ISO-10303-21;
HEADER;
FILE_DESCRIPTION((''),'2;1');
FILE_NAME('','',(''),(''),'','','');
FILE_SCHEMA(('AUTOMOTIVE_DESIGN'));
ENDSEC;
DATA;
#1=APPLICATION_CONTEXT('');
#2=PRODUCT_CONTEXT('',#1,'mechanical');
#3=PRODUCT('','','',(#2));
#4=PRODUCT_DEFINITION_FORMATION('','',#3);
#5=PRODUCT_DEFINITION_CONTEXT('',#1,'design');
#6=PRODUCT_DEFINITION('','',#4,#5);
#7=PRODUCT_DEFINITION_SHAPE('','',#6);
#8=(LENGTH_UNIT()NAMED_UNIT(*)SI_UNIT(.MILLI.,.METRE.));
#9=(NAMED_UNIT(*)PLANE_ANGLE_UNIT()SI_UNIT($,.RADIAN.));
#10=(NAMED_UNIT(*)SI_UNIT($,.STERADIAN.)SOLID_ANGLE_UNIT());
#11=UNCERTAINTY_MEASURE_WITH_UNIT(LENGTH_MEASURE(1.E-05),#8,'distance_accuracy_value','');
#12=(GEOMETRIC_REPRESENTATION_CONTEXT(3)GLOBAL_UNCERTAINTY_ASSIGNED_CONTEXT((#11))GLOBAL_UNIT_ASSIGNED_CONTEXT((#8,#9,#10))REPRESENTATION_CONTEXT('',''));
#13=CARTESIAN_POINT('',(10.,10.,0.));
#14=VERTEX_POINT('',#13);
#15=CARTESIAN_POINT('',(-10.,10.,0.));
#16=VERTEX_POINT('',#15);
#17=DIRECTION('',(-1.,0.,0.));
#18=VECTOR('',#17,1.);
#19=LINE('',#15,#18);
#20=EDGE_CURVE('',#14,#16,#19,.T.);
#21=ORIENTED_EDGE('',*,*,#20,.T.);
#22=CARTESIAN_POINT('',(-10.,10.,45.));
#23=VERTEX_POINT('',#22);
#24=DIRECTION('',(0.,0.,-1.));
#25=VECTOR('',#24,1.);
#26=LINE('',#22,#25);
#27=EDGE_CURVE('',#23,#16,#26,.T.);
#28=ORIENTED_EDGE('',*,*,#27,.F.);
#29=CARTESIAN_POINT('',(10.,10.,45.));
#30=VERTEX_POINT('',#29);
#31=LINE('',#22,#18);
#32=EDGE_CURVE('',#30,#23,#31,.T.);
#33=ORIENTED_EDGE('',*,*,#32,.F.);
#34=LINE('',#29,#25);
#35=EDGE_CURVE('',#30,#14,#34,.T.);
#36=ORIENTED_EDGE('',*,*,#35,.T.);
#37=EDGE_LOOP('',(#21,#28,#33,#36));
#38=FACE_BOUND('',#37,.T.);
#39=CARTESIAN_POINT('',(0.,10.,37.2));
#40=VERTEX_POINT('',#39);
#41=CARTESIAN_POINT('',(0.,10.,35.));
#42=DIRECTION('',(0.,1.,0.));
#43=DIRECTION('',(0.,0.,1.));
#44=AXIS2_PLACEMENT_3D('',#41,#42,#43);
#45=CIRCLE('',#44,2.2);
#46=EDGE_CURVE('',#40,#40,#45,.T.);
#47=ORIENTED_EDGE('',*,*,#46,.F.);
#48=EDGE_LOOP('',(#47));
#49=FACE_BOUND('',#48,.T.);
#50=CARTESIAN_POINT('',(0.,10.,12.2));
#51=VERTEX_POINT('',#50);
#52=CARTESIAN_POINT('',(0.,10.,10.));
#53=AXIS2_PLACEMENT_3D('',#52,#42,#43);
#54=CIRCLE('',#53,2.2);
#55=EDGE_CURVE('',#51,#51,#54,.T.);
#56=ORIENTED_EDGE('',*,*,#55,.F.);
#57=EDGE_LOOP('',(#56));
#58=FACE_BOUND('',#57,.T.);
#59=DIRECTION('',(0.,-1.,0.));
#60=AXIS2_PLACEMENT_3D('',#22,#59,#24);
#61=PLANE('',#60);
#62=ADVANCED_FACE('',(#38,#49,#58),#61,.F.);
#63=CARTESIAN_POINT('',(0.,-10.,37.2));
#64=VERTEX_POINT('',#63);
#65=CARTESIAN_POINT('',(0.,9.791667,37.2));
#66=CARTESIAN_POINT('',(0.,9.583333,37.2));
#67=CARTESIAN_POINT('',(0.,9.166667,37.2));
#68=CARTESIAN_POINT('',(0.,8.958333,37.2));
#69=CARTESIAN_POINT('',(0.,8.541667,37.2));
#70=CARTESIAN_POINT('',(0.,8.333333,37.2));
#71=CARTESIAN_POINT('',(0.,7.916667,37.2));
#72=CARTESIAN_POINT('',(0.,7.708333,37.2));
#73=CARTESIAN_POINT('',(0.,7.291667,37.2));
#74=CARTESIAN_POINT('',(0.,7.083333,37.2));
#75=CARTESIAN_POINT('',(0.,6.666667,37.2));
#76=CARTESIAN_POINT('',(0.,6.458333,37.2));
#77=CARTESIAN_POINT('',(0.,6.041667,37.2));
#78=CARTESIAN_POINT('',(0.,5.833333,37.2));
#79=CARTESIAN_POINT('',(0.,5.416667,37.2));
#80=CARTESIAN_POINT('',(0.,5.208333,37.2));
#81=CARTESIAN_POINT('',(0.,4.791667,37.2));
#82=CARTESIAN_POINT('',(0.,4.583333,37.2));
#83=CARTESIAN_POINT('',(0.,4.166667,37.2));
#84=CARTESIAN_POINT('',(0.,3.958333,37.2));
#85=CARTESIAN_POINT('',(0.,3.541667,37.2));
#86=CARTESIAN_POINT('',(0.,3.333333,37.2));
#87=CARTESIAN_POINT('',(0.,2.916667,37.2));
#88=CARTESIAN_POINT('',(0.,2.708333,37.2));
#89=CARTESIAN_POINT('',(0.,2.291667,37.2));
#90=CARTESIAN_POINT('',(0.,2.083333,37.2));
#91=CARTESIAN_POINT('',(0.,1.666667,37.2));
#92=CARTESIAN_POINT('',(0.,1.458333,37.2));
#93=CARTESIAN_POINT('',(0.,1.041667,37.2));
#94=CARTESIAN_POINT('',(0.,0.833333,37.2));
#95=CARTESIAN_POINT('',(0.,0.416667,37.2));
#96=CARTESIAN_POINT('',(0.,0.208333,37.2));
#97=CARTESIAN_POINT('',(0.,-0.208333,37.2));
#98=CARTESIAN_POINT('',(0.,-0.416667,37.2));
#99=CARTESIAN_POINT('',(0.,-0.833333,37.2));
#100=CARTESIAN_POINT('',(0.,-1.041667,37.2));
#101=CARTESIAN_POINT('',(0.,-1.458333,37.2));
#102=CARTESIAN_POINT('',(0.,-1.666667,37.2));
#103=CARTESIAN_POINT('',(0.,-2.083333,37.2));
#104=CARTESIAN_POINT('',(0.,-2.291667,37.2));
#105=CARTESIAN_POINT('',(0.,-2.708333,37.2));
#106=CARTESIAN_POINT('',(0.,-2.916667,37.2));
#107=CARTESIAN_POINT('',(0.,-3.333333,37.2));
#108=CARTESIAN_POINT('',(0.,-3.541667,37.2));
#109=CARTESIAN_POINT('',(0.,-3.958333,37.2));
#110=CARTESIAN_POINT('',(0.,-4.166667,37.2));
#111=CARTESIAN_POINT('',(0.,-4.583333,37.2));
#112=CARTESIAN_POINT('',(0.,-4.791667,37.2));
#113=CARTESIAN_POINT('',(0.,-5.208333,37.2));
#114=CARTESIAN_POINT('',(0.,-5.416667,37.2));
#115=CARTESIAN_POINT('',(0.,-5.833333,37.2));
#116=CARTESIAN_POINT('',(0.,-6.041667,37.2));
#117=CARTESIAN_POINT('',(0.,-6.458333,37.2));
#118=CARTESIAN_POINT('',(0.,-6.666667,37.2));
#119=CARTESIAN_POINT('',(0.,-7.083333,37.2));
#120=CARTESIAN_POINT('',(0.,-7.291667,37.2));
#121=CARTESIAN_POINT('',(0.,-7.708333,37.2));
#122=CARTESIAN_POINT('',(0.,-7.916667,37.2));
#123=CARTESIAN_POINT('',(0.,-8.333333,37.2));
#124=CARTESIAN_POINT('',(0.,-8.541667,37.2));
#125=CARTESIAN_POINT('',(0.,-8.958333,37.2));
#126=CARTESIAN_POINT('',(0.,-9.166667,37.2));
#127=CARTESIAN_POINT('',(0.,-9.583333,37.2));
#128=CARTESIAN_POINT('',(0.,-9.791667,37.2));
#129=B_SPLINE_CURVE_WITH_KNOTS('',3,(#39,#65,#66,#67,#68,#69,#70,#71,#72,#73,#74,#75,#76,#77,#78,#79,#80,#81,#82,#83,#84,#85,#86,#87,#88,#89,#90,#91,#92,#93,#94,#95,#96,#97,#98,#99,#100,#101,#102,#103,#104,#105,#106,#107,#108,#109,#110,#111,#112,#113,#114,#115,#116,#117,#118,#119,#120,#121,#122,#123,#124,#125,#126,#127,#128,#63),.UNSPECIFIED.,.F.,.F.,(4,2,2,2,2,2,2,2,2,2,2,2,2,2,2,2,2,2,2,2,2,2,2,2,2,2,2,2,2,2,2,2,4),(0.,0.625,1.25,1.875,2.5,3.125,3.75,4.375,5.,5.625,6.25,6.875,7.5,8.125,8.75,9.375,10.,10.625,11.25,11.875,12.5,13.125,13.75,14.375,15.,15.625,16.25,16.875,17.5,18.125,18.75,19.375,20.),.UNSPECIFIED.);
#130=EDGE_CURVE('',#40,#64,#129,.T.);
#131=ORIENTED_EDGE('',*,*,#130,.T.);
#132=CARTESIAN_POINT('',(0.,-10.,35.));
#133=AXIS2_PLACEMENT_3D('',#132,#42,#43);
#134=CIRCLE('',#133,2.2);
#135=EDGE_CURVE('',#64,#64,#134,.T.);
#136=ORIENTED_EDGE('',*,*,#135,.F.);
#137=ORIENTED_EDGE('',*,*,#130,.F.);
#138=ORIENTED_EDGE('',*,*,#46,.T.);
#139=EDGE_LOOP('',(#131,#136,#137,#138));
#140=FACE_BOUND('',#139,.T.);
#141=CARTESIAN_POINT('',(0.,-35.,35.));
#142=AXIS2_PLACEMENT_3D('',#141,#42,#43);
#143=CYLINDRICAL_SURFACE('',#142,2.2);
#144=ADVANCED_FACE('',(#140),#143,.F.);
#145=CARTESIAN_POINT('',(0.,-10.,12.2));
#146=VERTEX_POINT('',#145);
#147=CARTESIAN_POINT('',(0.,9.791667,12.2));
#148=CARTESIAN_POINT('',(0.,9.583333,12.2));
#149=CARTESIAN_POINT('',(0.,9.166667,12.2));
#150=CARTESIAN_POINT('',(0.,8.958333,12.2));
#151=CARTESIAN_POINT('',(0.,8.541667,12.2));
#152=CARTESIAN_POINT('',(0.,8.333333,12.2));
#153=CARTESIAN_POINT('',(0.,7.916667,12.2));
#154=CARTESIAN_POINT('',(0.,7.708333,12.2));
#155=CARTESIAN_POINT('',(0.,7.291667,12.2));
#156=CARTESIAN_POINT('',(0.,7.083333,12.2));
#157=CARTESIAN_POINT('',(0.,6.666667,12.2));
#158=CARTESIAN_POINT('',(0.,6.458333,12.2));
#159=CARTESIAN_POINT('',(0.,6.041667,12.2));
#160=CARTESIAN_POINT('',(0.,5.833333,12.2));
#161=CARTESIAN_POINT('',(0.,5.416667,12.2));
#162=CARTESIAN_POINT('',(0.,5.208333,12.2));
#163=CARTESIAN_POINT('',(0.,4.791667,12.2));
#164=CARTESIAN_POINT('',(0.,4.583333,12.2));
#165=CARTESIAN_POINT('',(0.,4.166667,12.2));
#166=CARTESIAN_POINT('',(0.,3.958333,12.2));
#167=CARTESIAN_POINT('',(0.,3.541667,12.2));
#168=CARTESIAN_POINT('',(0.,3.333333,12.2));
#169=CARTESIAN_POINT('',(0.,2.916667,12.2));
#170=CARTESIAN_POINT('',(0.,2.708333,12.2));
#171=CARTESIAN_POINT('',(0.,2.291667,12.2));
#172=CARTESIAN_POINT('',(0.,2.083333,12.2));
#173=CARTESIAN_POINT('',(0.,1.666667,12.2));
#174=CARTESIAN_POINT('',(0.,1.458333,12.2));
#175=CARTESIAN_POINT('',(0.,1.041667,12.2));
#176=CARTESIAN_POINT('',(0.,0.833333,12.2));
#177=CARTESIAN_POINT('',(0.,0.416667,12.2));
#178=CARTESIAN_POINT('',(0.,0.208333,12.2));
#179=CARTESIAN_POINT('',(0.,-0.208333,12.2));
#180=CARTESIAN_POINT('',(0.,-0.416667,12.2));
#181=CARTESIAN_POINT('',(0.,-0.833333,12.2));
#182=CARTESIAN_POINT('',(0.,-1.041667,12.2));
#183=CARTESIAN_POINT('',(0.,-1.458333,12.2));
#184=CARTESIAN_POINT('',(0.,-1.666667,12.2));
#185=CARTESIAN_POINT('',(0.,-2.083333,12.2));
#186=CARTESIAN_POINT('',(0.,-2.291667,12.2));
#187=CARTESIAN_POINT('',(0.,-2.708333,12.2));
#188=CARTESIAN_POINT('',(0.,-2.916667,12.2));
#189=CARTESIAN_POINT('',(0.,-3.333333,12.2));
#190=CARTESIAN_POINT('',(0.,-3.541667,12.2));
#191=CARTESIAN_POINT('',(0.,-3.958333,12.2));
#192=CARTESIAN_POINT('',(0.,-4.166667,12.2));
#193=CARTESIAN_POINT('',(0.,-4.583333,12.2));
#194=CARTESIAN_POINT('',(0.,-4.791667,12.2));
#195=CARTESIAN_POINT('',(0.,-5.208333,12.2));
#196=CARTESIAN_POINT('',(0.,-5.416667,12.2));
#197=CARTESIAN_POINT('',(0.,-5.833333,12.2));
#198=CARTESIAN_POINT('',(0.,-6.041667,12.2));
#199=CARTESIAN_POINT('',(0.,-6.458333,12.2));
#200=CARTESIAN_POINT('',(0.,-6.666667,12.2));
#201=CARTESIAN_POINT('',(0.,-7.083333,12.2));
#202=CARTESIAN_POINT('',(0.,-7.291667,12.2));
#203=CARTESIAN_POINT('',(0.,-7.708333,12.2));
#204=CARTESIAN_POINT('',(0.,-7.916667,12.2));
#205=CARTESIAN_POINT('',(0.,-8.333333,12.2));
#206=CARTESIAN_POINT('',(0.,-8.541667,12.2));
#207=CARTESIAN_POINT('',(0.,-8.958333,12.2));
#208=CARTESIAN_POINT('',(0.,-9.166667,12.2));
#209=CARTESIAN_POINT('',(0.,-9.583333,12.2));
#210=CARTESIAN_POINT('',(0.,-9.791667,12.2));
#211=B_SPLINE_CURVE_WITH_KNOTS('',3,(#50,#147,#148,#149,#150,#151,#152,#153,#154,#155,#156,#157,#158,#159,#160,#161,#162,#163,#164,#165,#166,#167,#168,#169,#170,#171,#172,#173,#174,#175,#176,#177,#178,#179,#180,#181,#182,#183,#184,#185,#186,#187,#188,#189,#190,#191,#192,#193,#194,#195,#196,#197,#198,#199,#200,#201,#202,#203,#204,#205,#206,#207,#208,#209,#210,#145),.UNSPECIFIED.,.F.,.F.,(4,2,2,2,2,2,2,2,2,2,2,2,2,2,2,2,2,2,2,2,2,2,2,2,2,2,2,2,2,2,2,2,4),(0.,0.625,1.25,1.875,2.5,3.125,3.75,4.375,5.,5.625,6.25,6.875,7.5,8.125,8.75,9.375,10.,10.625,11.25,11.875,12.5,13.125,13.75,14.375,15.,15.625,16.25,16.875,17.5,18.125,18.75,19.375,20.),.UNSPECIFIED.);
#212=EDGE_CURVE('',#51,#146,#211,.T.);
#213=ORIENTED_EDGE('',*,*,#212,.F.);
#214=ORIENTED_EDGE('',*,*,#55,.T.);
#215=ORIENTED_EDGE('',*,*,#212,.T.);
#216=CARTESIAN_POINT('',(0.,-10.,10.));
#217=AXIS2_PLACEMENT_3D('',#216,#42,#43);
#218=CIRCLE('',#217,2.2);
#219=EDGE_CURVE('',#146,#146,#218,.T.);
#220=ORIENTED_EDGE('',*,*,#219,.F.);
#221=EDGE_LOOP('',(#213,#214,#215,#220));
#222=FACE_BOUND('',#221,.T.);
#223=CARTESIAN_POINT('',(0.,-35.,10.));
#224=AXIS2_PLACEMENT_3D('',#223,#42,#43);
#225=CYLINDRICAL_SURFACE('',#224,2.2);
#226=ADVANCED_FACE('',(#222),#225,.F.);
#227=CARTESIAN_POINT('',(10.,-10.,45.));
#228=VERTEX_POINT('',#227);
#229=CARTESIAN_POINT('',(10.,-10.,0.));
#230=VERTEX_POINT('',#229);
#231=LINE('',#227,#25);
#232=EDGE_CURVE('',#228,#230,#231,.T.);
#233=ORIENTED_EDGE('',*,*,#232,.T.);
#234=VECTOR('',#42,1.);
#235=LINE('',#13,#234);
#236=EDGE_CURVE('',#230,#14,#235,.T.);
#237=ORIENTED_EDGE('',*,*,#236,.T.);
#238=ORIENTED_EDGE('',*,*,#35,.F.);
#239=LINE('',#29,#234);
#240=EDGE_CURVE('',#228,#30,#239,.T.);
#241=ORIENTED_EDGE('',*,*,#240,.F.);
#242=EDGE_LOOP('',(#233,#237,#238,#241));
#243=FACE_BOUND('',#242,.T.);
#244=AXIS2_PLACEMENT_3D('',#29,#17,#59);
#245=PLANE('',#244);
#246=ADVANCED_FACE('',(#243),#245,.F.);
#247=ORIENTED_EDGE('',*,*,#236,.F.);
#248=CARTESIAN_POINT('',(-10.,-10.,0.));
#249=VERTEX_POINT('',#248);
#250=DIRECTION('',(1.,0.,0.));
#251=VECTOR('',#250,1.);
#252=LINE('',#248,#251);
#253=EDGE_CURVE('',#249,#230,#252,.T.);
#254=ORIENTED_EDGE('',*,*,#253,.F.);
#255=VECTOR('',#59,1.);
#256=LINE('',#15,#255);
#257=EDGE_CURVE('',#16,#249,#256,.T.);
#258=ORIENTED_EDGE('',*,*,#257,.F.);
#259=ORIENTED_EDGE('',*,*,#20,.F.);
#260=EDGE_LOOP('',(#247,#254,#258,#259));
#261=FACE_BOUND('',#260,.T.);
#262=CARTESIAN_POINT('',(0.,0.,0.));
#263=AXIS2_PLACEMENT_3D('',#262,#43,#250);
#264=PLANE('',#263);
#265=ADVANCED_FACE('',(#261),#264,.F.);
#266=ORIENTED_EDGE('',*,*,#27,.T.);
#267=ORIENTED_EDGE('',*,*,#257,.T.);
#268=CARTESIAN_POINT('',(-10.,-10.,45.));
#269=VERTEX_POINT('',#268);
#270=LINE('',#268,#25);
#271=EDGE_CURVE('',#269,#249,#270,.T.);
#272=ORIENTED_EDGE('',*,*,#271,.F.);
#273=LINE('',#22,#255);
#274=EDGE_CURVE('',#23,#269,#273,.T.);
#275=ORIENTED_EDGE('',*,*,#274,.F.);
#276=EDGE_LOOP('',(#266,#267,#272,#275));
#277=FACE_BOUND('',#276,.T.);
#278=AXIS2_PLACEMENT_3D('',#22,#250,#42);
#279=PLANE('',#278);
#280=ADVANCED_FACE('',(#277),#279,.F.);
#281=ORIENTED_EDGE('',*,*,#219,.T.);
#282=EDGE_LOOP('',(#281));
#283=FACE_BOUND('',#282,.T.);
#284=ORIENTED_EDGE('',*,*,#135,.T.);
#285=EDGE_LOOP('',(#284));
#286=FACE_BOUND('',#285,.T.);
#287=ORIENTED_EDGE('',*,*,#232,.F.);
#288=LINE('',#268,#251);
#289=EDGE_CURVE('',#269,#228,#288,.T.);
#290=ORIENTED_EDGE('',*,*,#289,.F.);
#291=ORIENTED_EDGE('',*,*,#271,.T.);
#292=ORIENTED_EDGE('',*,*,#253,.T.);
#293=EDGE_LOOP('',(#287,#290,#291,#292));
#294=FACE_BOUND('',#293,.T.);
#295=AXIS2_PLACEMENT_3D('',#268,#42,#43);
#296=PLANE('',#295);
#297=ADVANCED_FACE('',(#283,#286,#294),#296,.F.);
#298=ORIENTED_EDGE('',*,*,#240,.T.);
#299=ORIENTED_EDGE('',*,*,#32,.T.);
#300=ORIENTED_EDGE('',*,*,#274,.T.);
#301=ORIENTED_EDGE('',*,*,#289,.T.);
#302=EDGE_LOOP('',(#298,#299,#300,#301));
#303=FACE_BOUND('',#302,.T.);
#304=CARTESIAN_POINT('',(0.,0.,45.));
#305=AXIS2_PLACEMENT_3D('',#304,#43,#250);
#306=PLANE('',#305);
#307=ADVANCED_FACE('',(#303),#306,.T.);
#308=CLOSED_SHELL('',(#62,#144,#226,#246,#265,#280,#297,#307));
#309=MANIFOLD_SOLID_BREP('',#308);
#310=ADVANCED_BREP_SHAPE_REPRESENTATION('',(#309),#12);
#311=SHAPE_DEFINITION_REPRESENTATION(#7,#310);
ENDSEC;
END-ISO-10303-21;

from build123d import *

# Parameters (mm, degrees)
SKETCH_1_W          = 20
SKETCH_1_H          = 20
EXTRUDE_1_DEPTH     = 45
SKETCH_2_R          = 2.2
CUT_EXTRUDE_1_DEPTH = 45


with BuildPart() as part:
    # 草图1 → 凸台-拉伸1 (new body)
    with BuildSketch(Plane.XY):
        Rectangle(SKETCH_1_W, SKETCH_1_H)
    extrude(amount=EXTRUDE_1_DEPTH)

    # 草图2 → 切除-拉伸1 (cut)
    with BuildSketch(Plane(origin=(0, 10, 0), x_dir=(1, 0, 0), z_dir=(0, 1, 0))):
        with Locations(Location((0, -10, 0), (0, 0, 270))):
            Circle(SKETCH_2_R)
        with Locations(Location((0, -35, 0), (0, 0, 270))):
            Circle(SKETCH_2_R)
    extrude(amount=-CUT_EXTRUDE_1_DEPTH, mode=Mode.SUBTRACT)


solid = part.part
